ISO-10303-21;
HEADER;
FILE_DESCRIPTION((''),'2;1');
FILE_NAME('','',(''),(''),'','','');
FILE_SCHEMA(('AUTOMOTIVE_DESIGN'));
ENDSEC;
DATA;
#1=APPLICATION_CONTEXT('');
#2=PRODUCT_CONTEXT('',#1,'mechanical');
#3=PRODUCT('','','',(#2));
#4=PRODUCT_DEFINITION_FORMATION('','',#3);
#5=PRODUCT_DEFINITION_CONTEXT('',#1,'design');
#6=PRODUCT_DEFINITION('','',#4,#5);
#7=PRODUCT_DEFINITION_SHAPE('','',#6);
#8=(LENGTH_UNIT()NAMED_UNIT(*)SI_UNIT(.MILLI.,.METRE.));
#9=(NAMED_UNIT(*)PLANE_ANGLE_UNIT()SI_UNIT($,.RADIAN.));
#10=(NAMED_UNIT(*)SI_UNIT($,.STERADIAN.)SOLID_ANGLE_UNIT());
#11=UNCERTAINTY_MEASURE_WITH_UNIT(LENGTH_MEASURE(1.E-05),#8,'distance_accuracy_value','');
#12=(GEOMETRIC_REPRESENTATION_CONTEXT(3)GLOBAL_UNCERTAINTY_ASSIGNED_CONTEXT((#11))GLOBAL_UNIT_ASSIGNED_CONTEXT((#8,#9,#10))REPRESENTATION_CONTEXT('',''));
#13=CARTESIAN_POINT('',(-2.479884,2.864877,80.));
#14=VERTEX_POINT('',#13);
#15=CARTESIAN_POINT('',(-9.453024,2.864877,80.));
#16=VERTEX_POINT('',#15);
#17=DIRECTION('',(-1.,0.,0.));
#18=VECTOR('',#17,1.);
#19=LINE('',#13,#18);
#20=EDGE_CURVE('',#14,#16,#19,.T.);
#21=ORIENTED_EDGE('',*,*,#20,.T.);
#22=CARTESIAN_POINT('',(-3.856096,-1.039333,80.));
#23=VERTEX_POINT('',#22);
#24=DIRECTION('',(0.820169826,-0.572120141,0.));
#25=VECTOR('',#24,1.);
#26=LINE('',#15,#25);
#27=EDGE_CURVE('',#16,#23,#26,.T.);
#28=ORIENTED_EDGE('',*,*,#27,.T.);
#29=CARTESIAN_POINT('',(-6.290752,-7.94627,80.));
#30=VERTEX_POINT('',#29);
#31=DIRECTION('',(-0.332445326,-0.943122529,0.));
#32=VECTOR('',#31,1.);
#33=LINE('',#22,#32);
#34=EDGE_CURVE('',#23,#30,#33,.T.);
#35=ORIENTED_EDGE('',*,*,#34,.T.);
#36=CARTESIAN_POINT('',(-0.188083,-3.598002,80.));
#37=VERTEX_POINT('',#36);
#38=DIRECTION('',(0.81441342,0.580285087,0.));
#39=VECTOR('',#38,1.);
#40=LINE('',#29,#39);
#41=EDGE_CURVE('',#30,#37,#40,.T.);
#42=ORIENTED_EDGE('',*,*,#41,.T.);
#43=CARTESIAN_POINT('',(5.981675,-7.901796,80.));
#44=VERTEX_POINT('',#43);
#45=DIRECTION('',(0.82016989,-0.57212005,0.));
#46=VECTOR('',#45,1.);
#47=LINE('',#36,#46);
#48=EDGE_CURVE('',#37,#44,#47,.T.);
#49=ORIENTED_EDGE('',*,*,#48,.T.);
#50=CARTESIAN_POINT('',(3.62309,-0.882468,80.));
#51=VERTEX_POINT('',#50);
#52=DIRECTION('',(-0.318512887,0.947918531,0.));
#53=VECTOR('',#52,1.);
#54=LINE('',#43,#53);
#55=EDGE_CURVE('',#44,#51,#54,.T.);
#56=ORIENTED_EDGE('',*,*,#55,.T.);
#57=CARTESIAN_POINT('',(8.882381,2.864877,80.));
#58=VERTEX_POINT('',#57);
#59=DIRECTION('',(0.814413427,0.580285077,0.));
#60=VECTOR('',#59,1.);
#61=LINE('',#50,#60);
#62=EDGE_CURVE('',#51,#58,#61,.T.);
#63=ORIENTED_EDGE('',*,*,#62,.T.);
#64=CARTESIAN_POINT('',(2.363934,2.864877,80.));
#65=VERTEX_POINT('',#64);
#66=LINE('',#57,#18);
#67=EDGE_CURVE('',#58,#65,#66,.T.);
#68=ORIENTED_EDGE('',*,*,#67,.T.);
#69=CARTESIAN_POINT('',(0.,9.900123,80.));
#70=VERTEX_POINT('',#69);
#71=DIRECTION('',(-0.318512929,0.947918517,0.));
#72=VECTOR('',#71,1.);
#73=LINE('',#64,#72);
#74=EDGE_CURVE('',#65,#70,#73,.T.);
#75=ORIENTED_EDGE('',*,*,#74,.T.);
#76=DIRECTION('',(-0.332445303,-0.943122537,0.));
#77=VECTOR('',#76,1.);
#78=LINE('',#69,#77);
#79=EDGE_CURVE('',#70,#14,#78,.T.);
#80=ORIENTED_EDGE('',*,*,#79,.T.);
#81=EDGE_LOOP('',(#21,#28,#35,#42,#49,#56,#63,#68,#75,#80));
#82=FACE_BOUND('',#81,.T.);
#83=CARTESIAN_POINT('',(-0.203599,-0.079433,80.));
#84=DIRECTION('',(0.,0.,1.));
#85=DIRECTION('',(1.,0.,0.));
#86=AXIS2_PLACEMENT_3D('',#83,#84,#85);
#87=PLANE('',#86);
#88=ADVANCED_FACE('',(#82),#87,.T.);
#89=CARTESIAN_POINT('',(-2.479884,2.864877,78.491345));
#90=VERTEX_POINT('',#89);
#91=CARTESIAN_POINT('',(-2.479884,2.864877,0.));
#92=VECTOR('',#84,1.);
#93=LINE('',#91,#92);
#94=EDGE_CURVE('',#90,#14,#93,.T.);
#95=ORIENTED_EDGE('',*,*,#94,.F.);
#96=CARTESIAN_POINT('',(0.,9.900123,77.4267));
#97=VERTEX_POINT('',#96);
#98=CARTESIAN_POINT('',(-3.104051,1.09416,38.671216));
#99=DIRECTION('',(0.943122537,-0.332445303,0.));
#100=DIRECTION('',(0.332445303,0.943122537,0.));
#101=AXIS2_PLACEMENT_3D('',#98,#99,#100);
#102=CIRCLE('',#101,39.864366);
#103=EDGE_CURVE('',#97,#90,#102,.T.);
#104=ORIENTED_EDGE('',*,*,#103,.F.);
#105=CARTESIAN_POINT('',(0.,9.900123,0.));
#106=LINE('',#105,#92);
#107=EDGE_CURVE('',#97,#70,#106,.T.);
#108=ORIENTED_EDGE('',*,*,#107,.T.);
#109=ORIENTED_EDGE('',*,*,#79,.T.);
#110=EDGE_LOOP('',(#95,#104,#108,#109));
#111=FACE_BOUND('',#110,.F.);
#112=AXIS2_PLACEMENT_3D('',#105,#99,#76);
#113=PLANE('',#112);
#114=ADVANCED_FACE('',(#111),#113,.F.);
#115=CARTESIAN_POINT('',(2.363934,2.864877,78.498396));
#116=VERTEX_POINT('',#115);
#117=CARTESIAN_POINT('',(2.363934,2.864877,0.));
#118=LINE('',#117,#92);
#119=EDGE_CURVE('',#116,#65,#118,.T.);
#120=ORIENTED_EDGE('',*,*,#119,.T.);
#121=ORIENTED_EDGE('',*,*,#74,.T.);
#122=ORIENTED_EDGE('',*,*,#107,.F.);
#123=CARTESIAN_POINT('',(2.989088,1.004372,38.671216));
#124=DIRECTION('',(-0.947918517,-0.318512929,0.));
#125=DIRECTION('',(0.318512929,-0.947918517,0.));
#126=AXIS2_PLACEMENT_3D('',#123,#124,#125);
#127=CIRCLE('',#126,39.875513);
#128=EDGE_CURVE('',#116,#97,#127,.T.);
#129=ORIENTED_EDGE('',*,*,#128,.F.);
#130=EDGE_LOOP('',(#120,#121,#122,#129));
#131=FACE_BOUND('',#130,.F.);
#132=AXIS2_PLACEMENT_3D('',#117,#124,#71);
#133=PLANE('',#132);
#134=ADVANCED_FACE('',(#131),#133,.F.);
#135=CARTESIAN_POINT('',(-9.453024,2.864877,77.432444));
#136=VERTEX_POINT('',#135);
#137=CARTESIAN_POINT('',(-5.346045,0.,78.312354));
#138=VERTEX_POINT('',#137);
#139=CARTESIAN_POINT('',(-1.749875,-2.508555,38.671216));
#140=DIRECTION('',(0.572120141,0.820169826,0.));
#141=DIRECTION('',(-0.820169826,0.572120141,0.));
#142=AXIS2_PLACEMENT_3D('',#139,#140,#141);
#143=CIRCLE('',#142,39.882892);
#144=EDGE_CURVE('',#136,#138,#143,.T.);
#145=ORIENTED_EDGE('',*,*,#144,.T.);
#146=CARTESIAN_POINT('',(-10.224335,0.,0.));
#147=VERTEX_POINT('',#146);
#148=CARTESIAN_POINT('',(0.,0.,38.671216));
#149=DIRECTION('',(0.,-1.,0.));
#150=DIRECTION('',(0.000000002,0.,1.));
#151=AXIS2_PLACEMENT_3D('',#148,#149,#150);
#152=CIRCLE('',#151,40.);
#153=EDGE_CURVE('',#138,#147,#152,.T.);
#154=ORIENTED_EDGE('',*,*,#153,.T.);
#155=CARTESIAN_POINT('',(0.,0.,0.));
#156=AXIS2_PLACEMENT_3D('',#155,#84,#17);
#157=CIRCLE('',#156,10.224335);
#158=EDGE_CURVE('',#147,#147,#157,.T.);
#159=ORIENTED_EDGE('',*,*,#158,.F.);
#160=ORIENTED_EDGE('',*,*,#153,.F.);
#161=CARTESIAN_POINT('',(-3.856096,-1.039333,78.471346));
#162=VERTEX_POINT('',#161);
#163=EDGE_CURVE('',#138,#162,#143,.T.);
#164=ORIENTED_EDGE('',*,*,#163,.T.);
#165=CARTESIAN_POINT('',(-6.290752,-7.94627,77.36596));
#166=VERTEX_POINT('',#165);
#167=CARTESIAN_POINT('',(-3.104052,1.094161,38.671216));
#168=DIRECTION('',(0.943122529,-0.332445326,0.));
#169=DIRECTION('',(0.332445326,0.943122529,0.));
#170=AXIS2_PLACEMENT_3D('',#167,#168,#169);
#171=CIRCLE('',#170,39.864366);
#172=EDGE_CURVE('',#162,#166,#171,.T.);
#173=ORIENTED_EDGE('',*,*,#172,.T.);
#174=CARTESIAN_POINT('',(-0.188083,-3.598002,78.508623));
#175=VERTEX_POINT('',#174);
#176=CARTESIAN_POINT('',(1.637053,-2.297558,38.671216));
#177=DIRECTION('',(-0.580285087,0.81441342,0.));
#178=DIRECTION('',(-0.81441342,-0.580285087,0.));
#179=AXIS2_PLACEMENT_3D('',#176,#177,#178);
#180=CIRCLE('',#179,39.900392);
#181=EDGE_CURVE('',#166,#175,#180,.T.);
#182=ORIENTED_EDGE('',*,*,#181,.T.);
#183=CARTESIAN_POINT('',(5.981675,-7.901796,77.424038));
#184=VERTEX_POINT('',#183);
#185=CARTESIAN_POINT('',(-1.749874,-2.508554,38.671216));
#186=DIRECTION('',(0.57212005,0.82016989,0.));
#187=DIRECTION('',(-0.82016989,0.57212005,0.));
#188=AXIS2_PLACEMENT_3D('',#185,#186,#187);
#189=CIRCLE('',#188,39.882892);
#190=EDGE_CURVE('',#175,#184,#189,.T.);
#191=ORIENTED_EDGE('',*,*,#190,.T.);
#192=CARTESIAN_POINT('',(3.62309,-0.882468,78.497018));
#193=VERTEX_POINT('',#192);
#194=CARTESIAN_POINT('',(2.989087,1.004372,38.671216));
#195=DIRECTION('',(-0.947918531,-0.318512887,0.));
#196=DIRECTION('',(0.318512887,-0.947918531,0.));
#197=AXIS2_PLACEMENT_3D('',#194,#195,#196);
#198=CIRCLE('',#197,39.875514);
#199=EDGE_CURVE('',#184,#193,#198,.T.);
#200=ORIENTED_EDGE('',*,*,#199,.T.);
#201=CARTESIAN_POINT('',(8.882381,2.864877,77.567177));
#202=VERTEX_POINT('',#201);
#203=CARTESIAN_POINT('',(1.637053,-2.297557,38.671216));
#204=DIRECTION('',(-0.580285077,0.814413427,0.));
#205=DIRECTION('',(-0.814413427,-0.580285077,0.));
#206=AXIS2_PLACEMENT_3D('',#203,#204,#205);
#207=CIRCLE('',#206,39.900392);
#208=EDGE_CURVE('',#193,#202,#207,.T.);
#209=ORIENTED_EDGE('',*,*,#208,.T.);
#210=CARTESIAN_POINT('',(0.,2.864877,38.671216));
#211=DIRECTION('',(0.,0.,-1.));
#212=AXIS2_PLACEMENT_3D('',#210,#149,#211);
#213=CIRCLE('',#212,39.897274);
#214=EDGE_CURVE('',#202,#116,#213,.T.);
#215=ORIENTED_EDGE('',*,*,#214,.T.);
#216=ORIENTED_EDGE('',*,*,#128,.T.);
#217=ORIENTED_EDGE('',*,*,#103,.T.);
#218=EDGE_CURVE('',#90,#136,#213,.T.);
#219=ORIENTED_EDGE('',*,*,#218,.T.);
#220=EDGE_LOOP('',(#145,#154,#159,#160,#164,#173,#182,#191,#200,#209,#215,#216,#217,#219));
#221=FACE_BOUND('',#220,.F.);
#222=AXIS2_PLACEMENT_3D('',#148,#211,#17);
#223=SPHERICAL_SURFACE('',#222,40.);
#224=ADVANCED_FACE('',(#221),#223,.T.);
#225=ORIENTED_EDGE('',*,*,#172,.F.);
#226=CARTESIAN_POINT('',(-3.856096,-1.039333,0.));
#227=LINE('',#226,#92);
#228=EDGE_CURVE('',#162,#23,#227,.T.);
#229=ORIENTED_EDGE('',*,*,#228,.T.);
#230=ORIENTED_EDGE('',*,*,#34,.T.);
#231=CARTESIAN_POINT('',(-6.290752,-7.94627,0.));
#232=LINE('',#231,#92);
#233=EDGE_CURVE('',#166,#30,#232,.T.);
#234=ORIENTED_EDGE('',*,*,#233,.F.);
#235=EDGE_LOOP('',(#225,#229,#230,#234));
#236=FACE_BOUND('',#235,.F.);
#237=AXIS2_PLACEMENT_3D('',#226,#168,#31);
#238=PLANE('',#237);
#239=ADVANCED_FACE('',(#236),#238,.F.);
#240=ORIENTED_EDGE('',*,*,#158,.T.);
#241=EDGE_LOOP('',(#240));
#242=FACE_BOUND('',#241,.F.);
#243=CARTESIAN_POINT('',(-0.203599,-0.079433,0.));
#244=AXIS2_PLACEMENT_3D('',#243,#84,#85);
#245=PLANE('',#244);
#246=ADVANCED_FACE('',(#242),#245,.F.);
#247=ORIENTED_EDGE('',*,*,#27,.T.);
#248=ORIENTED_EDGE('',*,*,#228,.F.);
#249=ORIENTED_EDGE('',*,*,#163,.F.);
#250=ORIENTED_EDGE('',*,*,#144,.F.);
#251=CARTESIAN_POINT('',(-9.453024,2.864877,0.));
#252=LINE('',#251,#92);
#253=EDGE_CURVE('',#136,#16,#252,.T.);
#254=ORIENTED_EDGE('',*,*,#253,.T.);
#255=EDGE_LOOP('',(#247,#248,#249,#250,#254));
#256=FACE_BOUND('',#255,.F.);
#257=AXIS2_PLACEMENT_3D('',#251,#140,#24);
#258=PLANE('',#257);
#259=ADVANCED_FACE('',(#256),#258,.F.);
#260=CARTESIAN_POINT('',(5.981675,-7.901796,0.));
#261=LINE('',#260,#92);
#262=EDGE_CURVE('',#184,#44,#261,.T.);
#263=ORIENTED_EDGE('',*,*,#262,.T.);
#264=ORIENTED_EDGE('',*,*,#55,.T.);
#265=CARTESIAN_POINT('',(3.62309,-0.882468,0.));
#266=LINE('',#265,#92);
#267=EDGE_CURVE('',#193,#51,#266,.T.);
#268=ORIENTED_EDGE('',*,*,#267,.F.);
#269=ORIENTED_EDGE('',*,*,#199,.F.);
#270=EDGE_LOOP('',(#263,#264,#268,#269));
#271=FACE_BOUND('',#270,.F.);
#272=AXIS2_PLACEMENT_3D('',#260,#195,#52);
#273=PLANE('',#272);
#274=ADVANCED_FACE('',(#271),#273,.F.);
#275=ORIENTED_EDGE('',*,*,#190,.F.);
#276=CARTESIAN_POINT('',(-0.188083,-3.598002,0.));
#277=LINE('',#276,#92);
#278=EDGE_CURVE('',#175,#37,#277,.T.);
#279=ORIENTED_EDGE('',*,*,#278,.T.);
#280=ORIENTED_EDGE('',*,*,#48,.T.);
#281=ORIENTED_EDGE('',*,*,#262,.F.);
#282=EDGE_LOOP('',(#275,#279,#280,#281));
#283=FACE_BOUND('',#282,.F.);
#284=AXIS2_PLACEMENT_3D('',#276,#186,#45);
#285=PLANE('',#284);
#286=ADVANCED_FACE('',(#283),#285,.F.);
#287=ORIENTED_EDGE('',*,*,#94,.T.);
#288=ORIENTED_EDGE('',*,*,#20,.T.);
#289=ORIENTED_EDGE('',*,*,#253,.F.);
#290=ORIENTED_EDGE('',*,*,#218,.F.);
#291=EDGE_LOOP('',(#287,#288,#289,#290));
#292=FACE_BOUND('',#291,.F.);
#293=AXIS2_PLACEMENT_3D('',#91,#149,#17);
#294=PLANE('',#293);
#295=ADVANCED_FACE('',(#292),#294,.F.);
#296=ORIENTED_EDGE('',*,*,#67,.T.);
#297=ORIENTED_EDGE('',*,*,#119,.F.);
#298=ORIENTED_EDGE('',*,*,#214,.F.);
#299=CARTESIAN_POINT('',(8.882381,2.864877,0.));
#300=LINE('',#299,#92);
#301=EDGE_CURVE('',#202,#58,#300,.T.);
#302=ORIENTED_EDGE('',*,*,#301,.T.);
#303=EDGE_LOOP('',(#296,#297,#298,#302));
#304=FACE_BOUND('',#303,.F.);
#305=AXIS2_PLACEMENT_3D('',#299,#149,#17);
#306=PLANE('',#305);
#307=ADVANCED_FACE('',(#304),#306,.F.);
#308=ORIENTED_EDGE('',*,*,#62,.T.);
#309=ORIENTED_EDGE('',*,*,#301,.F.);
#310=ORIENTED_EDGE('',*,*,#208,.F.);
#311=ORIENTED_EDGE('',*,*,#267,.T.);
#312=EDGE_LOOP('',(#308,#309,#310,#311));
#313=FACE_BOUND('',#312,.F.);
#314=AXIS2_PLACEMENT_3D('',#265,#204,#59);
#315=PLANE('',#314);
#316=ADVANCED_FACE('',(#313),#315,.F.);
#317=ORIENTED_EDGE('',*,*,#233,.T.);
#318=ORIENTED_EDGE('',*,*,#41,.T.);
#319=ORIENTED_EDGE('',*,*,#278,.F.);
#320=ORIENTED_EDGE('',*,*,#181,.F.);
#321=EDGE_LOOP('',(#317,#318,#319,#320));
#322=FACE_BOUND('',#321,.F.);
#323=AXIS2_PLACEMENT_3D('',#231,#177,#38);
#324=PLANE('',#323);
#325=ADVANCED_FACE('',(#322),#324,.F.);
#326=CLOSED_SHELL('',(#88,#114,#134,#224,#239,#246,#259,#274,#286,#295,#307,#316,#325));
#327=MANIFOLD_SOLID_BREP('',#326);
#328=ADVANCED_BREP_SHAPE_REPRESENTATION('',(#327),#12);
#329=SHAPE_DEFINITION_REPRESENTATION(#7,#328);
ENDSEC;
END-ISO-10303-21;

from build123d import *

# Parameters (mm, degrees)
F3_DEPTH = 80


with BuildPart() as f1:
    # F0 (on Front) → F1 (revolve)
    with BuildSketch(Plane.XZ):
        with BuildLine():
            Line((-10.224335, 0), (0, 0))
            Line((0, 0), (0, 78.671216))
            ThreePointArc((0, 78.671216), (-39.666413, 43.826376), (-10.224335, 0))
        make_face()
    revolve(axis=Axis((0, 0, 39.335608), (0, 0, 1)))

    # F2 (on Top) → F3 (join)
    with BuildSketch(Plane.XY):
        Polygon((2.363934, 2.864877), (0, 9.900123), (-2.479884, 2.864877), (-9.453024, 2.864877), (-3.856096, -1.039333), (-6.290752, -7.94627), (-0.188083, -3.598002), (5.981675, -7.901796), (3.62309, -0.882468), (8.882381, 2.864877), align=None)
    extrude(amount=F3_DEPTH)


solid = f1.part
